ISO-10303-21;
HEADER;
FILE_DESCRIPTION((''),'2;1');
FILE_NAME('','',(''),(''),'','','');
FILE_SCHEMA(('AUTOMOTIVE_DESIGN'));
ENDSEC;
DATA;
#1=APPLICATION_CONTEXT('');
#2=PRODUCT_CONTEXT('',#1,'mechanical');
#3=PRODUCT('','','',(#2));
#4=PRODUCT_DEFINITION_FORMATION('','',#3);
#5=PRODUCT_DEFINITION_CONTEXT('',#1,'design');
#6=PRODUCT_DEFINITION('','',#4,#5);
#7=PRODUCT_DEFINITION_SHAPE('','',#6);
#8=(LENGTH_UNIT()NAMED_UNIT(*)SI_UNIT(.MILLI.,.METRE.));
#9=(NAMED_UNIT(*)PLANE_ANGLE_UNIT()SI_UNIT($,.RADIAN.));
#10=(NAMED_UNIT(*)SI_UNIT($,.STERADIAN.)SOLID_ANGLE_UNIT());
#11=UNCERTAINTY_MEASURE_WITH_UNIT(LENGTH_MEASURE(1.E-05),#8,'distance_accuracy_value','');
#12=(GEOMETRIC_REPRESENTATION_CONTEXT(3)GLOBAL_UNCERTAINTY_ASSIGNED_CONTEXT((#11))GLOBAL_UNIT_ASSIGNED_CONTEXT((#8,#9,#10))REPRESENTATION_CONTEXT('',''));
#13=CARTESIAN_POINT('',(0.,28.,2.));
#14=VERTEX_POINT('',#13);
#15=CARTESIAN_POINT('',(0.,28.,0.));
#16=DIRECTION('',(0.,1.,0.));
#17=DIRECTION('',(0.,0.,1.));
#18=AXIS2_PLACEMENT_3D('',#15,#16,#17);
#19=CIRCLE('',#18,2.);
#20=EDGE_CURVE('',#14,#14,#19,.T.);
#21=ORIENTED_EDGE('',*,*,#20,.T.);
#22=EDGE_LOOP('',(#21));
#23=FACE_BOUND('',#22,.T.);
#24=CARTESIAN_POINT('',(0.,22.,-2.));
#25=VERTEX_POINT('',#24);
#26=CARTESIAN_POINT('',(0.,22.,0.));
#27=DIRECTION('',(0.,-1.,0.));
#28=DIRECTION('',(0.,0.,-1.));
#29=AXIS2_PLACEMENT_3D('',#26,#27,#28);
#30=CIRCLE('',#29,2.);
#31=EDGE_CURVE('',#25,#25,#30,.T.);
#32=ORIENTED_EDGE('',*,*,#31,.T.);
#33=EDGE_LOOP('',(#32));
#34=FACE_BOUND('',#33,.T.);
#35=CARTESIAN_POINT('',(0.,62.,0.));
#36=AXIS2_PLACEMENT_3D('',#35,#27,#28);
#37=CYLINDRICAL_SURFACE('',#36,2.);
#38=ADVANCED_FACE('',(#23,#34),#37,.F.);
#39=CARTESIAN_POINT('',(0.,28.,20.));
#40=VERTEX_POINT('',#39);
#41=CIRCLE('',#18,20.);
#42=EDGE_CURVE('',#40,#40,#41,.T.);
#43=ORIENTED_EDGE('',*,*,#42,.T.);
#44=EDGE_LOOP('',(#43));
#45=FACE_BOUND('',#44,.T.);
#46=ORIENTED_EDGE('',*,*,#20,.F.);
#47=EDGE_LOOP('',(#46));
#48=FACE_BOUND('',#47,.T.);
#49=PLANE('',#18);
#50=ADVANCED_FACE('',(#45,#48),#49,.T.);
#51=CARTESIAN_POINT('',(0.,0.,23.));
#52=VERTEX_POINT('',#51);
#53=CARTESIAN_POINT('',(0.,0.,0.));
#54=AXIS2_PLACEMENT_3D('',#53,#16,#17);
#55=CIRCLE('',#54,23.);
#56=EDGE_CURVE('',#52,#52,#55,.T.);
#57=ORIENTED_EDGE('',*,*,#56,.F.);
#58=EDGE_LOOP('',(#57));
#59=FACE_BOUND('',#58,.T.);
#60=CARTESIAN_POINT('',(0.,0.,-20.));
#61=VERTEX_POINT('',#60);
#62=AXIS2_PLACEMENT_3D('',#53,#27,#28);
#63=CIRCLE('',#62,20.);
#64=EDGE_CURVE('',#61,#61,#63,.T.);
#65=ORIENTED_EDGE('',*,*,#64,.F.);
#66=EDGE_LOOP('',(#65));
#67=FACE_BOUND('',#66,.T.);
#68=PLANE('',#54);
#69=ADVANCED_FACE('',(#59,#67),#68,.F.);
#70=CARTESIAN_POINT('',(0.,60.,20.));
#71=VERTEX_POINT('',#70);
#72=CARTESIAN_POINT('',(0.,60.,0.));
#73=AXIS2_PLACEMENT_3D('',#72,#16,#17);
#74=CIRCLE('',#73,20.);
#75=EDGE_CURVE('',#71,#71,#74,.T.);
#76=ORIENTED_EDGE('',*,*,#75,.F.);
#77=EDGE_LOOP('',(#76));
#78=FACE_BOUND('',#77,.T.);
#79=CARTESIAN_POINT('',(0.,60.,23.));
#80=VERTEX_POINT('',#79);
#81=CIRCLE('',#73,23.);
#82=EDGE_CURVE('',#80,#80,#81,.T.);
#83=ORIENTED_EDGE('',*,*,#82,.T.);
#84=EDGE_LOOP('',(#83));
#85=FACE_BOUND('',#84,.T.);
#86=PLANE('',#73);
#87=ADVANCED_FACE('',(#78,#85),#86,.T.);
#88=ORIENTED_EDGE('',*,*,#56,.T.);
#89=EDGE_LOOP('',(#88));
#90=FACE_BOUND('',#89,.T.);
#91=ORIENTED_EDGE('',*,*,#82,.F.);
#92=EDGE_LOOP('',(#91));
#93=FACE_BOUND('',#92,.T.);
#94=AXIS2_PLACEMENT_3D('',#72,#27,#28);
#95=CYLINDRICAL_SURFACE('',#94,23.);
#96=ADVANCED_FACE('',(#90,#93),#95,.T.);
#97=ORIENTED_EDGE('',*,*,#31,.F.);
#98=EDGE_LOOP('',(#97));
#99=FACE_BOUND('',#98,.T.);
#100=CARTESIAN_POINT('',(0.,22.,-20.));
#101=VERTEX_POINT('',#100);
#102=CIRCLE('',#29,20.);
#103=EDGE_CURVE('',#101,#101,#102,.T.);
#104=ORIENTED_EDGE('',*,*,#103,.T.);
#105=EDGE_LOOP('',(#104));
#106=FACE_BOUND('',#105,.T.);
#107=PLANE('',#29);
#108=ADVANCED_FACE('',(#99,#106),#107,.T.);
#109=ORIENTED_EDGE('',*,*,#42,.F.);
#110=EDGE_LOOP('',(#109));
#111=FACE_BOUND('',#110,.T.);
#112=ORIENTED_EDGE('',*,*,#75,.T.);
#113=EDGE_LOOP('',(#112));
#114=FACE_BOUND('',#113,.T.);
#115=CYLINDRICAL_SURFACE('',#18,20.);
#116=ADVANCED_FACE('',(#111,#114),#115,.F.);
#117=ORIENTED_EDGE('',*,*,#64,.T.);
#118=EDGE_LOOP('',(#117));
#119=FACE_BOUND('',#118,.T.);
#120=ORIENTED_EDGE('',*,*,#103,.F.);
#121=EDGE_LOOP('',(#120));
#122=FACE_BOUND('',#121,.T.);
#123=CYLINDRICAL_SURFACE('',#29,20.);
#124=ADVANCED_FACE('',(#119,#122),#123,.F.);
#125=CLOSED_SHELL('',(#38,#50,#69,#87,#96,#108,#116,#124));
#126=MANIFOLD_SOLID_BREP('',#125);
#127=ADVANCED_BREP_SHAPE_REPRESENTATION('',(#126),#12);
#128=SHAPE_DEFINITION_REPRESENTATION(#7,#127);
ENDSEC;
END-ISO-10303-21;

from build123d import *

# Parameters (mm, degrees)
SKETCH1_R           = 23
BOSS_EXTRUDE1_DEPTH = 60
SKETCH2_R           = 20
CUT_EXTRUDE1_DEPTH  = 22
CUT_EXTRUDE2_START  = -32
SKETCH5_R           = 20
CUT_EXTRUDE2_DEPTH  = 32
SKETCH4_R           = 2
CUT_EXTRUDE3_DEPTH  = 40


with BuildPart() as part:
    # Sketch1 → Boss-Extrude1 (new body)
    with BuildSketch(Plane(origin=(0, 0, 0), x_dir=(1, 0, 0), z_dir=(0, 1, 0))):
        with Locations(Location((0, 0, 0), (0, 0, 270))):
            Circle(SKETCH1_R)
    extrude(amount=BOSS_EXTRUDE1_DEPTH)

    # Sketch2 → Cut-Extrude1 (cut)
    with BuildSketch(Plane.XZ):
        with Locations(Location((0, 0, 0), (0, 0, 270))):
            Circle(SKETCH2_R)
    extrude(amount=-CUT_EXTRUDE1_DEPTH, mode=Mode.SUBTRACT)

    # Sketch5 → Cut-Extrude2 (cut)
    with BuildSketch(Plane(origin=(0, 60, 0), x_dir=(1, 0, 0), z_dir=(0, 1, 0)).offset(CUT_EXTRUDE2_START)):
        with Locations(Location((0, 0, 0), (0, 0, 90))):
            Circle(SKETCH5_R)
    extrude(amount=CUT_EXTRUDE2_DEPTH, mode=Mode.SUBTRACT)

    # Sketch4 → Cut-Extrude3 (cut)
    with BuildSketch(Plane.XZ.offset(-22)):
        with Locations(Location((0, 0, 0), (0, 0, 270))):
            Circle(SKETCH4_R)
    extrude(amount=-CUT_EXTRUDE3_DEPTH, mode=Mode.SUBTRACT)


solid = part.part
